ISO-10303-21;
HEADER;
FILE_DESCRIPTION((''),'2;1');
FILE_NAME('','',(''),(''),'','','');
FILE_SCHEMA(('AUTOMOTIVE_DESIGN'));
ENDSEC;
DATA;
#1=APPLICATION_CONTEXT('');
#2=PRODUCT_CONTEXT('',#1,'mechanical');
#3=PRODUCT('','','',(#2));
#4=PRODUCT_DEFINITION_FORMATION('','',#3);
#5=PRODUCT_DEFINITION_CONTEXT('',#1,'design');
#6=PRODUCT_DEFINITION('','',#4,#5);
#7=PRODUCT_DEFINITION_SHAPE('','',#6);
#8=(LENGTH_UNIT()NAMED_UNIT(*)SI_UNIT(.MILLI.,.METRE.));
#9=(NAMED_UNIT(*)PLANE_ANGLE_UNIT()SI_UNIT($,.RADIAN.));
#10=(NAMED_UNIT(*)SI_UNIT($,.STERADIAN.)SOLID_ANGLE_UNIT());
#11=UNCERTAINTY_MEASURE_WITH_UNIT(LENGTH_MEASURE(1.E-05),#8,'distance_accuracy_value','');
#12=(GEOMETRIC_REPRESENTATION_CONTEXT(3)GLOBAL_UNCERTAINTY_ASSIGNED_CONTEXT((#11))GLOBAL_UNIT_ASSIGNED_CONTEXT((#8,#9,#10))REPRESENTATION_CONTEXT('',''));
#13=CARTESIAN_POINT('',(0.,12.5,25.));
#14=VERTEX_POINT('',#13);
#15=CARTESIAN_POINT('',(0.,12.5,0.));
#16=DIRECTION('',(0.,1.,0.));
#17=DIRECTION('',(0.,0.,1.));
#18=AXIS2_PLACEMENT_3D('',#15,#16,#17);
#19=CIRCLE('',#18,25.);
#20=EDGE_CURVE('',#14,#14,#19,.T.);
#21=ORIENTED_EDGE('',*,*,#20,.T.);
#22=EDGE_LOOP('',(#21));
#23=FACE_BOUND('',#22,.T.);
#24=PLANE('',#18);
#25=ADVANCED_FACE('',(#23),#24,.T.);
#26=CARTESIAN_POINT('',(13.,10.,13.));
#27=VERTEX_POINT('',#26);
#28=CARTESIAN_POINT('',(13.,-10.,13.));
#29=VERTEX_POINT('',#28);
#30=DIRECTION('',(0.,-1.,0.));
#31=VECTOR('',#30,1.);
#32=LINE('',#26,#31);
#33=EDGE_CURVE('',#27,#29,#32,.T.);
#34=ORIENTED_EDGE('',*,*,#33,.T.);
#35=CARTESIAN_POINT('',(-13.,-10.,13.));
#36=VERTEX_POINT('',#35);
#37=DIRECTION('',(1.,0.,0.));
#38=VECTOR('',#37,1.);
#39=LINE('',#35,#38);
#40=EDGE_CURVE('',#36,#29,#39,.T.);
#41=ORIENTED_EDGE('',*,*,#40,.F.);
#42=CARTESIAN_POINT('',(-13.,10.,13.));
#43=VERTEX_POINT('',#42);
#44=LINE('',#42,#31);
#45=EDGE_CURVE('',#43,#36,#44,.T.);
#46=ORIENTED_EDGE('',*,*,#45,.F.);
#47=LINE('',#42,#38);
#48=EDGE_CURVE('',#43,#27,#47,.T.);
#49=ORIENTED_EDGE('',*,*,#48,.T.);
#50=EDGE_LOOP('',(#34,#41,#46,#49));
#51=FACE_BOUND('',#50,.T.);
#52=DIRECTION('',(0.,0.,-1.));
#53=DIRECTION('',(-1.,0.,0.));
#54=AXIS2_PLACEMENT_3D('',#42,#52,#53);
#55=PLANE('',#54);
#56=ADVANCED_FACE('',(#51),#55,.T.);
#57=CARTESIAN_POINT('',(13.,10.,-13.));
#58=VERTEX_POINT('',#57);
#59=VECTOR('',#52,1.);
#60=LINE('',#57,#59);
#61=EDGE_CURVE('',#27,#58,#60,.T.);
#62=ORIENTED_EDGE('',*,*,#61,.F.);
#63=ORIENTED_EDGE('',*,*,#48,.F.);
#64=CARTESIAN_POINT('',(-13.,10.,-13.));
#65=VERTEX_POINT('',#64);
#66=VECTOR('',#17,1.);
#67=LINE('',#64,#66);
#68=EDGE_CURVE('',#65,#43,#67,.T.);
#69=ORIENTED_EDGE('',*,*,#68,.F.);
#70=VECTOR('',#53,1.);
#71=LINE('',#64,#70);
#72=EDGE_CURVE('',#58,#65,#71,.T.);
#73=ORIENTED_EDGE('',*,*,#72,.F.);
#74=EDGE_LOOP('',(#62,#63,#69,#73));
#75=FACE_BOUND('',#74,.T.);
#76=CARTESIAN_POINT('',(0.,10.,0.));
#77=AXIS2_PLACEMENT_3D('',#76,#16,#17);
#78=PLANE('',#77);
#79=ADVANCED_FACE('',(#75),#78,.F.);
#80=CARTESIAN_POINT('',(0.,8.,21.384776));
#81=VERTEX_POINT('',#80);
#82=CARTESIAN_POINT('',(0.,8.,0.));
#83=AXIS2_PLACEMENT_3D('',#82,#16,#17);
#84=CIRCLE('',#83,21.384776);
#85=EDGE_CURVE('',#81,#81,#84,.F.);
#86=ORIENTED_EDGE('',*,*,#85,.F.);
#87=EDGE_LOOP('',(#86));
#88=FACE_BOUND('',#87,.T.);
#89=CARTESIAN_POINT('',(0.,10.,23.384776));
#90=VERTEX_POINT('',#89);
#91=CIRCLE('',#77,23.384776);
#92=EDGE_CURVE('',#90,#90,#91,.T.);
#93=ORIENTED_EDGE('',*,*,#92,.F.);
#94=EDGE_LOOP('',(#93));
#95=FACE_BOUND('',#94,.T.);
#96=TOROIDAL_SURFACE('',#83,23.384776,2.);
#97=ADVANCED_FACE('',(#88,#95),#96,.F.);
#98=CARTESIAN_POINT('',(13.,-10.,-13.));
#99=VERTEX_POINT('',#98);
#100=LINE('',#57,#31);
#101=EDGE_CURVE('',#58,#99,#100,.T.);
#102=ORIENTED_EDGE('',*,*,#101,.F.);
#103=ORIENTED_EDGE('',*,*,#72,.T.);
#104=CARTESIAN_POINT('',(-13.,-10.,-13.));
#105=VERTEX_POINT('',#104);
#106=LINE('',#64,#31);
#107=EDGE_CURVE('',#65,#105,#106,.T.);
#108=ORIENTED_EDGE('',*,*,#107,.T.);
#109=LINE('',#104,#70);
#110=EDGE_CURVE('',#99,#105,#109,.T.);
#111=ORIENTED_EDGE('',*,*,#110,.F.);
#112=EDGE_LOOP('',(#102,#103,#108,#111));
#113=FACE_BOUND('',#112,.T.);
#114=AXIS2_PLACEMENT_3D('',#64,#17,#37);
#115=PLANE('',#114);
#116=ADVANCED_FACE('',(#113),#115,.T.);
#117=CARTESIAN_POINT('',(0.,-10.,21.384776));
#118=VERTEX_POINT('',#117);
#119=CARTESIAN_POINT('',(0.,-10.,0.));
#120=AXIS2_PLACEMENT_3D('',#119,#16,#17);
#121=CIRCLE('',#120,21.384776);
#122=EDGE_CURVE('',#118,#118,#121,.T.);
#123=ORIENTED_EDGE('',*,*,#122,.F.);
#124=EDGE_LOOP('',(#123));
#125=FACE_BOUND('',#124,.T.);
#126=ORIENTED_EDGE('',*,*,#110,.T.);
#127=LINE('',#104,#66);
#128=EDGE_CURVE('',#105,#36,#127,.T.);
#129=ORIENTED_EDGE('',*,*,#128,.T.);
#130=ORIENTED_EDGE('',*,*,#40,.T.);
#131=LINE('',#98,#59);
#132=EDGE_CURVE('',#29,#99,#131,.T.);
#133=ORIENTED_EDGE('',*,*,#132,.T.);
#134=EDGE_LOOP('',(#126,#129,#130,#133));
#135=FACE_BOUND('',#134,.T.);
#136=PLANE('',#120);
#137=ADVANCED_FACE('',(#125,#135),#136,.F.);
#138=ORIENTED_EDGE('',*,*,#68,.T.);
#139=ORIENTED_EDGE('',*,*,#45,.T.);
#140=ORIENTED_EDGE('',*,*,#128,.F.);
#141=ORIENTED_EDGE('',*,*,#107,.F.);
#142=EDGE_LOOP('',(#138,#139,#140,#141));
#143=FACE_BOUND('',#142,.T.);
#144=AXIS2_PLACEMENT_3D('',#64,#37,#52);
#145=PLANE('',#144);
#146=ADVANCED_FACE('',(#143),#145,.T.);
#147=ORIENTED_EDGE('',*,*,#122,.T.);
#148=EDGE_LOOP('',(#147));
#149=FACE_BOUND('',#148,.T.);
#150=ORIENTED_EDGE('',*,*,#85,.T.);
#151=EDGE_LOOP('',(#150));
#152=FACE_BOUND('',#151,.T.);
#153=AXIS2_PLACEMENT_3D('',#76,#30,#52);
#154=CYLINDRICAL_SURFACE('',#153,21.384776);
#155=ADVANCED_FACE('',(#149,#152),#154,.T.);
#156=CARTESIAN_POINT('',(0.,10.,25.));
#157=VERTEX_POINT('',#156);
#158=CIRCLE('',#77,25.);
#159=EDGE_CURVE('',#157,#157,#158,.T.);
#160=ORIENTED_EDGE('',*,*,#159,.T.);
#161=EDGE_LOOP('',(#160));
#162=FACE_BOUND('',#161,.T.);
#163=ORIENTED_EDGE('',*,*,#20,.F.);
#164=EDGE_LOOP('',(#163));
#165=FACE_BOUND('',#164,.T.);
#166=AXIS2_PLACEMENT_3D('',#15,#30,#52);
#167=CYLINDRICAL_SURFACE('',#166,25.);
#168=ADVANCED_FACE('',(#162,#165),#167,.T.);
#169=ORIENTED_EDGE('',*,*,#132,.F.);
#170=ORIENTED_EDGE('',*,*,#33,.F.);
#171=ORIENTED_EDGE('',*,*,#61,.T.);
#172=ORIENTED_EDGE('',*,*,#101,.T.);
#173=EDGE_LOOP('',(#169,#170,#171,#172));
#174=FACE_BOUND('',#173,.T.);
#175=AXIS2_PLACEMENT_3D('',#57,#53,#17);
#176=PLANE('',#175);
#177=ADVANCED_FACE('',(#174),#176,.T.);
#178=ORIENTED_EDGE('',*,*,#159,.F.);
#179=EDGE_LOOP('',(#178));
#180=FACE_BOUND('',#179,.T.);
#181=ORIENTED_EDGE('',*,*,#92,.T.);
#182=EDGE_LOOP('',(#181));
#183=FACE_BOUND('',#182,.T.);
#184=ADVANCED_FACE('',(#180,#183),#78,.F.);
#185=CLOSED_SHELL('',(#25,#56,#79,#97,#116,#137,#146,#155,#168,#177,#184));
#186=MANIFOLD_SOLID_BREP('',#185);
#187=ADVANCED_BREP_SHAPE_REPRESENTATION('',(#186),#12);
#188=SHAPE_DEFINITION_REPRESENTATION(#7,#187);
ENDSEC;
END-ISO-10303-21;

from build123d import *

# Parameters (mm, degrees)
SKETCH2_R           = 21.384776311
SKETCH2_W           = 26
SKETCH2_H           = 26
BOSS_EXTRUDE1_DEPTH = 10
SKETCH4_R           = 25
BOSS_EXTRUDE2_DEPTH = 2.5
FILLET1_R           = 2


with BuildPart() as part:
    # Sketch2 → Boss-Extrude1 (new, symmetric)
    with BuildSketch(Plane(origin=(0, 0, 0), x_dir=(1, 0, 0), z_dir=(0, 1, 0))):
        with Locations(Location((0, 0, 0), (0, 0, 270))):
            Circle(SKETCH2_R)
        Rectangle(SKETCH2_W, SKETCH2_H, mode=Mode.SUBTRACT)
    extrude(amount=BOSS_EXTRUDE1_DEPTH, both=True)

    # Sketch4 → Boss-Extrude2 (add)
    with BuildSketch(Plane(origin=(0, 10, 0), x_dir=(1, 0, 0), z_dir=(0, 1, 0))):
        with Locations(Location((0, 0, 0), (0, 0, 270))):
            Circle(SKETCH4_R)
    extrude(amount=BOSS_EXTRUDE2_DEPTH)

    # Fillet1
    fillet1_edges = [part.edges().sort_by_distance(p)[0] for p in [
        (0, 10, -21.384776311),
    ]]
    fillet(fillet1_edges, radius=FILLET1_R)


solid = part.part
